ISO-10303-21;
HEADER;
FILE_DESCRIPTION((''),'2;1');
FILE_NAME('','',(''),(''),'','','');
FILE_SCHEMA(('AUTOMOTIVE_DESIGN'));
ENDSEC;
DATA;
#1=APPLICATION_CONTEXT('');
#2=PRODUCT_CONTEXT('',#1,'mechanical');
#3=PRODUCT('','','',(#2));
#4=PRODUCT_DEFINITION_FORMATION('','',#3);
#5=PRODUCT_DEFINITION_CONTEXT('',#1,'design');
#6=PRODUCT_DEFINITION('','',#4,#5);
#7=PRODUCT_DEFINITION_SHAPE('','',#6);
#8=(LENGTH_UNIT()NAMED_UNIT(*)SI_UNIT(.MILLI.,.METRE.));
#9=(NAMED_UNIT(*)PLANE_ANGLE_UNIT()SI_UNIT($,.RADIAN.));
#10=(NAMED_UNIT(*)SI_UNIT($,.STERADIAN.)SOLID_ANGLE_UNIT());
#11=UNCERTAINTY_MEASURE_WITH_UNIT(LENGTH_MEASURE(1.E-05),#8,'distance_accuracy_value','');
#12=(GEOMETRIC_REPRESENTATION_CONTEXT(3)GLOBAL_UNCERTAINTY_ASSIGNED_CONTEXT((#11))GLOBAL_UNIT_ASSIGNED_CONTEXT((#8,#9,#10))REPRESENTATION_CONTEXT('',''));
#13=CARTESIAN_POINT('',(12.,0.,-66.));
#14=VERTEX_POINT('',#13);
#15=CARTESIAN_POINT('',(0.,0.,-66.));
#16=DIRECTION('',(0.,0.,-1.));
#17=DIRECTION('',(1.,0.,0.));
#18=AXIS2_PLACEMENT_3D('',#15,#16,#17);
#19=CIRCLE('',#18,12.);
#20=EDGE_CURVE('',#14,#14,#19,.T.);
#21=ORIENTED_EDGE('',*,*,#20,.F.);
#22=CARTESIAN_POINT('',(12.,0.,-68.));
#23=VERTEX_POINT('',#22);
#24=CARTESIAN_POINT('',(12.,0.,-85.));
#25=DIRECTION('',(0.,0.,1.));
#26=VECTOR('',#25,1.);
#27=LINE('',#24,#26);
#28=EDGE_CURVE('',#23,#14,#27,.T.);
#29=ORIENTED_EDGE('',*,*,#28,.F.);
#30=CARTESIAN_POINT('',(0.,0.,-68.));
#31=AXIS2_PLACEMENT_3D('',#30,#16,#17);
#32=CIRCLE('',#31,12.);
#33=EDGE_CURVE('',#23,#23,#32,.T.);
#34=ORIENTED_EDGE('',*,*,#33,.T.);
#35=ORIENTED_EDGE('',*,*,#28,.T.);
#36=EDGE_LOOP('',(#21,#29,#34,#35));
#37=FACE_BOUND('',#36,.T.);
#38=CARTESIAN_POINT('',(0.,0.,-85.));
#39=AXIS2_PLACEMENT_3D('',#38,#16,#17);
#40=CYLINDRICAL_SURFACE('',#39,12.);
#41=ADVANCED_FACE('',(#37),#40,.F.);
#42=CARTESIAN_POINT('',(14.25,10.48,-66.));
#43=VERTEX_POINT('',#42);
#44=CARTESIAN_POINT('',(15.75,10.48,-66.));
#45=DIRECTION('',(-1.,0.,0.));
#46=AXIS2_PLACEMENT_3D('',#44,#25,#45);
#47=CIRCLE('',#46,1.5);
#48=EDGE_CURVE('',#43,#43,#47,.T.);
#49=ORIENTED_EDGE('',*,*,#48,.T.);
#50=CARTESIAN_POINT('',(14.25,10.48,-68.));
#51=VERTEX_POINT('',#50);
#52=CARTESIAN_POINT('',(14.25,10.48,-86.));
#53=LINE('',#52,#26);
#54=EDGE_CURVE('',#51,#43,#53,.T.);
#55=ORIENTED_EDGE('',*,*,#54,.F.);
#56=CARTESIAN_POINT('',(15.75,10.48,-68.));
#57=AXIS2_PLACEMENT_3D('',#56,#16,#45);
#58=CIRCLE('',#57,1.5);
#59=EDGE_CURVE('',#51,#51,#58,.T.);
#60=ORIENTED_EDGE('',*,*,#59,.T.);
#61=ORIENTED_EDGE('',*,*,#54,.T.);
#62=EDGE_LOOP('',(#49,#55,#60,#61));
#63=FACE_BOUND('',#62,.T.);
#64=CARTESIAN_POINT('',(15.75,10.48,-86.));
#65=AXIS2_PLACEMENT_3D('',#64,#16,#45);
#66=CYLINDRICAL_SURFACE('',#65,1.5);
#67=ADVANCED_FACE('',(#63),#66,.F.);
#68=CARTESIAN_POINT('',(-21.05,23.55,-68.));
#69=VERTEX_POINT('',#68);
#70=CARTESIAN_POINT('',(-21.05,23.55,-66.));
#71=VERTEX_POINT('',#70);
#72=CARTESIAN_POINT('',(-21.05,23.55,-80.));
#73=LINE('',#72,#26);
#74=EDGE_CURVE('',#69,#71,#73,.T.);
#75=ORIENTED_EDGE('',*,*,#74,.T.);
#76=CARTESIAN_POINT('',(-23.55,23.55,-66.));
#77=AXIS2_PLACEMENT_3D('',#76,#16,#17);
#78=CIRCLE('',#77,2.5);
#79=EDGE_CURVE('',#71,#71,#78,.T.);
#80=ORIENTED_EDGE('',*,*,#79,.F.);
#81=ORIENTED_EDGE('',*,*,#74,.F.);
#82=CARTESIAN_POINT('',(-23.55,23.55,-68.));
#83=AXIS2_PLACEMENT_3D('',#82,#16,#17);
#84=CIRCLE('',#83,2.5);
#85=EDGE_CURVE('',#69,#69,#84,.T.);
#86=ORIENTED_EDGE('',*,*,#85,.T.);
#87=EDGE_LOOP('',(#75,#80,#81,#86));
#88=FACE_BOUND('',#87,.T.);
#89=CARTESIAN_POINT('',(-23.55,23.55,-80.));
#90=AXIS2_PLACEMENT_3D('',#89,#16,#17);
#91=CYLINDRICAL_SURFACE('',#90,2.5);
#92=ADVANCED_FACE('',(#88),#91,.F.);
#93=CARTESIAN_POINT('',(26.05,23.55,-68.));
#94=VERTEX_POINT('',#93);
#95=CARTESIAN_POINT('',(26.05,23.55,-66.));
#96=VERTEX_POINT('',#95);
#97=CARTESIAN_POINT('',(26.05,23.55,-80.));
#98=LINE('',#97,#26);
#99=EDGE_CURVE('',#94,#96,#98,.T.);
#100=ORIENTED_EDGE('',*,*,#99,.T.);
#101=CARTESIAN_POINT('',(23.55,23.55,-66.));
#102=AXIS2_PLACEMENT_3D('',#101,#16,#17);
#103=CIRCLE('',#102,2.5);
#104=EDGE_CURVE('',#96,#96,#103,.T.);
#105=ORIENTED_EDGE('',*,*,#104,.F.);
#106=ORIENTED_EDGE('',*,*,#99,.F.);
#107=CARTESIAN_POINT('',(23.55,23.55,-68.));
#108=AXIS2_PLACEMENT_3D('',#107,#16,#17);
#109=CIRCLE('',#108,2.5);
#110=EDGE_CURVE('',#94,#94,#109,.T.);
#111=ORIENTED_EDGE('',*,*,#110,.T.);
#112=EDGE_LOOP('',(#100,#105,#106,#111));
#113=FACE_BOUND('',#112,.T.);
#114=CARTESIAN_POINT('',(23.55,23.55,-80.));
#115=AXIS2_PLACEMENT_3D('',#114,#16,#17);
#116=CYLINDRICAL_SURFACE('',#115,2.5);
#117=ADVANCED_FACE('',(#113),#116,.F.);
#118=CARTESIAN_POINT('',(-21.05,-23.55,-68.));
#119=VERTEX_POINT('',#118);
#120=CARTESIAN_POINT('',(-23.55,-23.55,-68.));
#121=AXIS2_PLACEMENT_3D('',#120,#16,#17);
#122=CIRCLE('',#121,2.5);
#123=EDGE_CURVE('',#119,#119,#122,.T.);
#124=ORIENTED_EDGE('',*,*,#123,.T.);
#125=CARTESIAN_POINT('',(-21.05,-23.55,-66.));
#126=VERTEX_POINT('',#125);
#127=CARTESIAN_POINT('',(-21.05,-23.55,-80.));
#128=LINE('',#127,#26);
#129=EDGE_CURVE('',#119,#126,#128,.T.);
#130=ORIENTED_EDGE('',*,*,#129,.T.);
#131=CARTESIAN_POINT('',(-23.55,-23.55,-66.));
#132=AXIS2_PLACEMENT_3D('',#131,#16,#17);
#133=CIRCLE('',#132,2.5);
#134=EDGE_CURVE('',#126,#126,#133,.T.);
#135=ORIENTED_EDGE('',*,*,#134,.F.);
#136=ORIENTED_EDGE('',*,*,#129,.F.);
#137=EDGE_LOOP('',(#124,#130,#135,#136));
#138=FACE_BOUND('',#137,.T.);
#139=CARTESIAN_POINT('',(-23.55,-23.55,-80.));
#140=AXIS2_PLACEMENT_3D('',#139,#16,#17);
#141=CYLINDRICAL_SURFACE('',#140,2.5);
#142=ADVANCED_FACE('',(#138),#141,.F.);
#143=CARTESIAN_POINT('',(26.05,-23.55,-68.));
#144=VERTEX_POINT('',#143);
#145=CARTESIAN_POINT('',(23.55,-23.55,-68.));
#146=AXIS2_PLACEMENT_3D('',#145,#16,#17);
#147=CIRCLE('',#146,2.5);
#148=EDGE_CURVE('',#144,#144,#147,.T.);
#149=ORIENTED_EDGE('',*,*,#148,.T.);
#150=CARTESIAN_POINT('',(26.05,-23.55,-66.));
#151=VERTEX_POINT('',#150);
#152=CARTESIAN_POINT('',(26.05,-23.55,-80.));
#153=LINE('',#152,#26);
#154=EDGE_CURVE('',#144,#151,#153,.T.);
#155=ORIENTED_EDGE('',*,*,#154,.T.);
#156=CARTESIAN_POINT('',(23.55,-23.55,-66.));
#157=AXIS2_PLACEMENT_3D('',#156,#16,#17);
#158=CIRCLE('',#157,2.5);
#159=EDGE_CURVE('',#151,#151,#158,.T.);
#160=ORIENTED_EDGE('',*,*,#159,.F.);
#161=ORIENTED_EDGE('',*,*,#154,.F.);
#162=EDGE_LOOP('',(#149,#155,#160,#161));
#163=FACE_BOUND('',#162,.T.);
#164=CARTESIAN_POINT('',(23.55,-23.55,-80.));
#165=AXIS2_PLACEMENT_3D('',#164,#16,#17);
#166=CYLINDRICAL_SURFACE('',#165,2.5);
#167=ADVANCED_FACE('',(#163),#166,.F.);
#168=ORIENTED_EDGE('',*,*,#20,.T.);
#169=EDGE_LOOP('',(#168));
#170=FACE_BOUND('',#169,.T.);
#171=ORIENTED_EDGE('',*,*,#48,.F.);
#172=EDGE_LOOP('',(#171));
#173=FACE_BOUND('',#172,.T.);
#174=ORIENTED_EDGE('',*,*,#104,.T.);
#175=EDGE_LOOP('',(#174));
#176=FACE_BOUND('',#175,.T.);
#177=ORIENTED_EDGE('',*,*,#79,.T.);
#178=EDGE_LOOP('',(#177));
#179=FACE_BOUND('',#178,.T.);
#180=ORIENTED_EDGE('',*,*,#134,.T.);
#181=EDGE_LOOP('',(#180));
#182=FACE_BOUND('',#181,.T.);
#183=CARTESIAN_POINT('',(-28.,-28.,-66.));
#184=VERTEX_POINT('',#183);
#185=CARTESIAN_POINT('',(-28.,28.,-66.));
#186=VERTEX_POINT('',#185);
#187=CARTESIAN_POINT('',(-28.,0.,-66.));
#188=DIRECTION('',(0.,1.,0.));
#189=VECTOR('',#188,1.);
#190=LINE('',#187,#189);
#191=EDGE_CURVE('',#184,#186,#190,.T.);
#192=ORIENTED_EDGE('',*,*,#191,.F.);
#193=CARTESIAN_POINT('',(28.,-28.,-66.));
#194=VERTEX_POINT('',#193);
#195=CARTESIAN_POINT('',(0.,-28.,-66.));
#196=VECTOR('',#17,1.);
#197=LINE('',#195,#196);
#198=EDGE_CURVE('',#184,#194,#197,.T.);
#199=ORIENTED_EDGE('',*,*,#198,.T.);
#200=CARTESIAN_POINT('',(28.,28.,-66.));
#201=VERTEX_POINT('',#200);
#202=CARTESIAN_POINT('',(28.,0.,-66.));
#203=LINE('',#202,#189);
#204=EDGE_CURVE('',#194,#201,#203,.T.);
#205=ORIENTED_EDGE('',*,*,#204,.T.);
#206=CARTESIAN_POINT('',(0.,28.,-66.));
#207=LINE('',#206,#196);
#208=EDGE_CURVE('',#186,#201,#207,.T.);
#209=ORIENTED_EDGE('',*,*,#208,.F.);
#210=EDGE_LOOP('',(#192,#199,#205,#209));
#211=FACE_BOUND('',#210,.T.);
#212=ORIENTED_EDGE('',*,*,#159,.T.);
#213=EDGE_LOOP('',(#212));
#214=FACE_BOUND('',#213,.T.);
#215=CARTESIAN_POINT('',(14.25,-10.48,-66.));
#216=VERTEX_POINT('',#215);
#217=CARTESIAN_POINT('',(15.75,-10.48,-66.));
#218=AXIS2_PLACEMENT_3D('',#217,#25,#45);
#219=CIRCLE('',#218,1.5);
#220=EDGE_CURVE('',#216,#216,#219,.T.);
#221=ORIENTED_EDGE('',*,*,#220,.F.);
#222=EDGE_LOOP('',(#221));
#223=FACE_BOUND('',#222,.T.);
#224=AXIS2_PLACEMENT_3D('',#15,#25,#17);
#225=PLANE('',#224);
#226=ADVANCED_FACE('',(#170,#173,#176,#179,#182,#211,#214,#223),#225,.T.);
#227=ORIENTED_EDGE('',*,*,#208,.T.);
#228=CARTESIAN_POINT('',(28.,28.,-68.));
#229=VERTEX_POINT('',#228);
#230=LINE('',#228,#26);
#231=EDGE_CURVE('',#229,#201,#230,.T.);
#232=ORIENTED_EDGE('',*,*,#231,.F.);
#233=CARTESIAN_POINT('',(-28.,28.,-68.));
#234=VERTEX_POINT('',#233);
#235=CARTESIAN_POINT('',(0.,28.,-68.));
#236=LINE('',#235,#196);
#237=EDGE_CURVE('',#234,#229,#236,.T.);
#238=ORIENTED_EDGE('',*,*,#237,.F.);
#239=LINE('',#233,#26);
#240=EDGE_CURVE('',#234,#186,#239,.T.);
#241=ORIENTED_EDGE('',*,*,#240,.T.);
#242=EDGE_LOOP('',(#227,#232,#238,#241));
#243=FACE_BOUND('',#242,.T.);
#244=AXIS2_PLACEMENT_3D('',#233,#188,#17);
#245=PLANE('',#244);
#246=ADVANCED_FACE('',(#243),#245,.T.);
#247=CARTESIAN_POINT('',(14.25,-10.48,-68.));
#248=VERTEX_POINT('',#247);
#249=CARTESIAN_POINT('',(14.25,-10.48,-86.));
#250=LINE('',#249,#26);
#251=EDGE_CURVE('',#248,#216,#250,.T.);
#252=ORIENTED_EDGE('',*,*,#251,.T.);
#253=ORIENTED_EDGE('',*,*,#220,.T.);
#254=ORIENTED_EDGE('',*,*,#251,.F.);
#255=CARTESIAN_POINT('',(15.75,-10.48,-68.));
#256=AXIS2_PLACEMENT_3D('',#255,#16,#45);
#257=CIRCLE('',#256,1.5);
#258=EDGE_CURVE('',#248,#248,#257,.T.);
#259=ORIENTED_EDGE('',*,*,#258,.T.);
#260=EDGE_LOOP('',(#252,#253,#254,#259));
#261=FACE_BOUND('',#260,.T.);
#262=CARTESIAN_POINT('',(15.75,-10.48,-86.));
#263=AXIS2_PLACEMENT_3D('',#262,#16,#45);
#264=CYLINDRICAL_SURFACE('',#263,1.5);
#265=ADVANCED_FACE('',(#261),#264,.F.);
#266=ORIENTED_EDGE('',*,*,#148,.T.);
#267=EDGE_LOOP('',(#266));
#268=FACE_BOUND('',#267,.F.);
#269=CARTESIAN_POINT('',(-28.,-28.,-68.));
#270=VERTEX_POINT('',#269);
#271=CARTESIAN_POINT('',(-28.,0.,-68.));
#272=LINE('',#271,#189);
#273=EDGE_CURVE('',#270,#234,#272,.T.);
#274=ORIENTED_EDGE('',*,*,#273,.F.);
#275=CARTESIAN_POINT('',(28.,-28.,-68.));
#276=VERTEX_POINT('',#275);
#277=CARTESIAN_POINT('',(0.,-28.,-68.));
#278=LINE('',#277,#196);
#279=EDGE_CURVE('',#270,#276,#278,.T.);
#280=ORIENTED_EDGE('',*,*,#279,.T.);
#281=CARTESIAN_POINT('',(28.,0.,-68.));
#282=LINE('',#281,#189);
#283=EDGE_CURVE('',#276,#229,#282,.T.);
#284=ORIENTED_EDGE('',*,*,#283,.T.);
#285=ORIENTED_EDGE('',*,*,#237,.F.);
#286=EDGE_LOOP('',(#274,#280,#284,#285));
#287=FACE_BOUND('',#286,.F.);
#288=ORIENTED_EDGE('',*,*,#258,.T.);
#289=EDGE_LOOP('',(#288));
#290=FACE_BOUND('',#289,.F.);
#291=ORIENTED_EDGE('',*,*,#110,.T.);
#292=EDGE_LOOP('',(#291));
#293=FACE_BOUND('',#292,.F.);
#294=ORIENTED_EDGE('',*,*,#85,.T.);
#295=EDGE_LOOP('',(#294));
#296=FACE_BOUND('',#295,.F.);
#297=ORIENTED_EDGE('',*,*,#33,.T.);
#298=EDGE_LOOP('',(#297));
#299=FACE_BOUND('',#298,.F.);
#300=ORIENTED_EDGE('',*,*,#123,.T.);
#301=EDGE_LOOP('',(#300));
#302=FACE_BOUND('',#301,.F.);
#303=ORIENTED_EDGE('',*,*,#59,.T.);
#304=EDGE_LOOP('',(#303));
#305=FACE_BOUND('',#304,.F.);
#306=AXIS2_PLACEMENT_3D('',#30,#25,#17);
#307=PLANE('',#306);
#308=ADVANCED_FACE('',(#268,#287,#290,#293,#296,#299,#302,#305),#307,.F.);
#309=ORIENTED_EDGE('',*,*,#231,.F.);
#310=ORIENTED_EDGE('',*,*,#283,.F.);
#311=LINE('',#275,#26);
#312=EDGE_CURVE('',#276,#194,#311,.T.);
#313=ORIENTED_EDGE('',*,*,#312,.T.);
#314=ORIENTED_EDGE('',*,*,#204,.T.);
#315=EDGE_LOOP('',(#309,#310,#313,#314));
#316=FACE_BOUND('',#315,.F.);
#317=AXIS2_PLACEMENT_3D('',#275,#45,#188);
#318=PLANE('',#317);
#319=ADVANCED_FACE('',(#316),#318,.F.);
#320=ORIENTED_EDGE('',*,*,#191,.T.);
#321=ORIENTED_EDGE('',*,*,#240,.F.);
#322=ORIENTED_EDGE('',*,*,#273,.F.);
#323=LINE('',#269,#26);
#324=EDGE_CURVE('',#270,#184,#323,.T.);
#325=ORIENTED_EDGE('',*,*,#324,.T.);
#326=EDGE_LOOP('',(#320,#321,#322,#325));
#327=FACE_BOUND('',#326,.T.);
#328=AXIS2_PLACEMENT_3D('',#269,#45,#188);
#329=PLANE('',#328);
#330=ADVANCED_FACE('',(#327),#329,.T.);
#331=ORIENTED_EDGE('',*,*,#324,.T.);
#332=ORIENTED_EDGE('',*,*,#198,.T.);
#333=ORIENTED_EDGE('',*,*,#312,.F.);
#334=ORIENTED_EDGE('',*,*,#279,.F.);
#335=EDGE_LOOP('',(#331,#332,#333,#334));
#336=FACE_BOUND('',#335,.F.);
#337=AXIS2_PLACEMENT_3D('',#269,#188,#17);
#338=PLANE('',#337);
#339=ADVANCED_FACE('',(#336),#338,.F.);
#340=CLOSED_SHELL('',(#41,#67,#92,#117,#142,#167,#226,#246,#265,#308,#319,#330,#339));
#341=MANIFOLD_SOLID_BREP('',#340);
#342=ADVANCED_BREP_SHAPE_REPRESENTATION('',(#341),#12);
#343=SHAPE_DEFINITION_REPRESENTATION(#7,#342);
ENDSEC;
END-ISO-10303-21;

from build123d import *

# Parameters (mm, degrees)
BOX274_W                    = 56
BOX274_H                    = 56
BOX274_DEPTH                = 2
CYLINDER704_R               = 1.5
CYLINDER704_DEPTH           = 20
CYLINDER705_R               = 1.5
CYLINDER705_DEPTH           = 20
COMPOUND417_PLACEMENT_ANGLE = 90
BOX272_W                    = 20
BOX272_H                    = 8
BOX272_DEPTH                = 3
BOX271_W                    = 20
BOX271_H                    = 8
BOX271_DEPTH                = 3
BOX273_W                    = 20
BOX273_H                    = 8
BOX273_DEPTH                = 3
BOX269_W                    = 20
BOX269_H                    = 8
BOX269_DEPTH                = 3
CYLINDER697_R               = 12
CYLINDER697_DEPTH           = 20
CYLINDER702_R               = 5
CYLINDER702_DEPTH           = 4
CYLINDER689_R               = 5
CYLINDER689_DEPTH           = 4
CYLINDER693_R               = 5
CYLINDER693_DEPTH           = 4
CYLINDER698_R               = 5
CYLINDER698_DEPTH           = 4
CYLINDER699_R               = 2.5
CYLINDER699_DEPTH           = 20
CYLINDER690_R               = 2.5
CYLINDER690_DEPTH           = 20
CYLINDER694_R               = 2.5
CYLINDER694_DEPTH           = 20
CYLINDER700_R               = 2.5
CYLINDER700_DEPTH           = 20
CYLINDER696_R               = 3
CYLINDER696_DEPTH           = 5
CYLINDER696_PLACEMENT_ANGLE = 22.5
CYLINDER688_R               = 3
CYLINDER688_DEPTH           = 5
CYLINDER688_PLACEMENT_ANGLE = 67.5
CYLINDER691_R               = 3
CYLINDER691_DEPTH           = 5
CYLINDER691_PLACEMENT_ANGLE = 202.5
CYLINDER692_R               = 3
CYLINDER692_DEPTH           = 5
CYLINDER692_PLACEMENT_ANGLE = 112.5
COMPOUND416_PLACEMENT_ANGLE = 45
CYLINDER703_R               = 1.5
CYLINDER703_DEPTH           = 30
CYLINDER703_PLACEMENT_ANGLE = 22.5
CYLINDER695_R               = 1.5
CYLINDER695_DEPTH           = 30
CYLINDER695_PLACEMENT_ANGLE = 67.5
CYLINDER706_R               = 1.5
CYLINDER706_DEPTH           = 30
CYLINDER706_PLACEMENT_ANGLE = 202.5
CYLINDER701_R               = 1.5
CYLINDER701_DEPTH           = 30
CYLINDER701_PLACEMENT_ANGLE = 112.5
COMPOUND412_PLACEMENT_ANGLE = 45
BOX270_W                    = 68
BOX270_H                    = 64
BOX270_DEPTH                = 8


with BuildPart() as krychle274:
    # Box274 → Box274 (new body)
    with BuildSketch(Plane(origin=(-28, -28, -68), x_dir=(1, 0, 0), z_dir=(0, 0, 1))):
        with Locations((28, 28)):
            Rectangle(BOX274_W, BOX274_H)
    extrude(amount=BOX274_DEPTH)


with BuildPart() as v_lec704:
    # Cylinder704 → Cylinder704 (new body)
    with BuildSketch(Plane(origin=(15.75, 114, 59.48), x_dir=(-1, 0, 0), z_dir=(0, 1, 0))):
        Circle(CYLINDER704_R)
    extrude(amount=CYLINDER704_DEPTH)


with BuildPart() as compound417:
    # Cylinder705 → Cylinder705 (new body)
    with BuildSketch(Plane(origin=(15.75, 114, 38.52), x_dir=(-1, 0, 0), z_dir=(0, 1, 0))):
        Circle(CYLINDER705_R)
    extrude(amount=CYLINDER705_DEPTH)

    # Compound417: union Válec704
    add(v_lec704.part)


with BuildPart() as compound417_1:
    # Compound417 placement: moved
    add(compound417.part.moved(Location((0, 49, -200))).rotate(Axis((0, 49, -200), (1, 0, 0)), COMPOUND417_PLACEMENT_ANGLE))


with BuildPart() as krychle272:
    # Box272 → Box272 (new body)
    with BuildSketch(Plane(origin=(17.55, -27.55, 31), x_dir=(1, 0, 0), z_dir=(0, 0, 1))):
        with Locations((10, 4)):
            Rectangle(BOX272_W, BOX272_H)
    extrude(amount=BOX272_DEPTH)


with BuildPart() as krychle271:
    # Box271 → Box271 (new body)
    with BuildSketch(Plane(origin=(-37.45, 19.55, 31), x_dir=(1, 0, 0), z_dir=(0, 0, 1))):
        with Locations((10, 4)):
            Rectangle(BOX271_W, BOX271_H)
    extrude(amount=BOX271_DEPTH)


with BuildPart() as krychle273:
    # Box273 → Box273 (new body)
    with BuildSketch(Plane(origin=(-37.45, -27.55, 31), x_dir=(1, 0, 0), z_dir=(0, 0, 1))):
        with Locations((10, 4)):
            Rectangle(BOX273_W, BOX273_H)
    extrude(amount=BOX273_DEPTH)


with BuildPart() as compound413:
    # Box269 → Box269 (new body)
    with BuildSketch(Plane(origin=(17.55, 19.55, 31), x_dir=(1, 0, 0), z_dir=(0, 0, 1))):
        with Locations((10, 4)):
            Rectangle(BOX269_W, BOX269_H)
    extrude(amount=BOX269_DEPTH)

    # Compound413: union Krychle272, Krychle271, Krychle273
    add(krychle272.part)
    add(krychle271.part)
    add(krychle273.part)


with BuildPart() as compound413_1:
    # Compound413 placement: moved
    add(compound413.part.moved(Location((0, 0, -4))))


with BuildPart() as v_lec697:
    # Cylinder697 → Cylinder697 (new body)
    with BuildSketch(Plane.XY.offset(15)):
        Circle(CYLINDER697_R)
    extrude(amount=CYLINDER697_DEPTH)


with BuildPart() as v_lec702:
    # Cylinder702 → Cylinder702 (new body)
    with BuildSketch(Plane(origin=(23.55, 23.55, 26), x_dir=(1, 0, 0), z_dir=(0, 0, 1))):
        Circle(CYLINDER702_R)
    extrude(amount=CYLINDER702_DEPTH)


with BuildPart() as v_lec689:
    # Cylinder689 → Cylinder689 (new body)
    with BuildSketch(Plane(origin=(23.55, -23.55, 26), x_dir=(1, 0, 0), z_dir=(0, 0, 1))):
        Circle(CYLINDER689_R)
    extrude(amount=CYLINDER689_DEPTH)


with BuildPart() as v_lec693:
    # Cylinder693 → Cylinder693 (new body)
    with BuildSketch(Plane(origin=(-23.55, 23.55, 26), x_dir=(1, 0, 0), z_dir=(0, 0, 1))):
        Circle(CYLINDER693_R)
    extrude(amount=CYLINDER693_DEPTH)


with BuildPart() as compound415:
    # Cylinder698 → Cylinder698 (new body)
    with BuildSketch(Plane(origin=(-23.55, -23.55, 26), x_dir=(1, 0, 0), z_dir=(0, 0, 1))):
        Circle(CYLINDER698_R)
    extrude(amount=CYLINDER698_DEPTH)

    # Compound415: union Válec702, Válec689, Válec693
    add(v_lec702.part)
    add(v_lec689.part)
    add(v_lec693.part)


with BuildPart() as compound415_1:
    # Compound415 placement: moved
    add(compound415.part.moved(Location((0, 0, -50))))


with BuildPart() as v_lec699:
    # Cylinder699 → Cylinder699 (new body)
    with BuildSketch(Plane(origin=(-23.55, 23.55, 20), x_dir=(1, 0, 0), z_dir=(0, 0, 1))):
        Circle(CYLINDER699_R)
    extrude(amount=CYLINDER699_DEPTH)


with BuildPart() as v_lec690:
    # Cylinder690 → Cylinder690 (new body)
    with BuildSketch(Plane(origin=(-23.55, -23.55, 20), x_dir=(1, 0, 0), z_dir=(0, 0, 1))):
        Circle(CYLINDER690_R)
    extrude(amount=CYLINDER690_DEPTH)


with BuildPart() as v_lec694:
    # Cylinder694 → Cylinder694 (new body)
    with BuildSketch(Plane(origin=(23.55, -23.55, 20), x_dir=(1, 0, 0), z_dir=(0, 0, 1))):
        Circle(CYLINDER694_R)
    extrude(amount=CYLINDER694_DEPTH)


with BuildPart() as compound414:
    # Cylinder700 → Cylinder700 (new body)
    with BuildSketch(Plane(origin=(23.55, 23.55, 20), x_dir=(1, 0, 0), z_dir=(0, 0, 1))):
        Circle(CYLINDER700_R)
    extrude(amount=CYLINDER700_DEPTH)

    # Compound414: union Válec699, Válec690, Válec694
    add(v_lec699.part)
    add(v_lec690.part)
    add(v_lec694.part)


with BuildPart() as v_lec696:
    # Cylinder696 → Cylinder696 (new body)
    with BuildSketch(Plane.XY):
        Circle(CYLINDER696_R)
    extrude(amount=CYLINDER696_DEPTH)


with BuildPart() as v_lec696_1:
    # Cylinder696 placement: moved
    add(v_lec696.part.moved(Location((-16, 0, 2))).rotate(Axis((-16, 0, 2), (0, 0, 1)), CYLINDER696_PLACEMENT_ANGLE))


with BuildPart() as v_lec688:
    # Cylinder688 → Cylinder688 (new body)
    with BuildSketch(Plane.XY):
        Circle(CYLINDER688_R)
    extrude(amount=CYLINDER688_DEPTH)


with BuildPart() as v_lec688_1:
    # Cylinder688 placement: moved
    add(v_lec688.part.moved(Location((0, 16, 2))).rotate(Axis((0, 16, 2), (0, 0, -1)), CYLINDER688_PLACEMENT_ANGLE))


with BuildPart() as v_lec691:
    # Cylinder691 → Cylinder691 (new body)
    with BuildSketch(Plane.XY):
        Circle(CYLINDER691_R)
    extrude(amount=CYLINDER691_DEPTH)


with BuildPart() as v_lec691_1:
    # Cylinder691 placement: moved
    add(v_lec691.part.moved(Location((16, 0, 2))).rotate(Axis((16, 0, 2), (0, 0, 1)), CYLINDER691_PLACEMENT_ANGLE))


with BuildPart() as compound416:
    # Cylinder692 → Cylinder692 (new body)
    with BuildSketch(Plane.XY):
        Circle(CYLINDER692_R)
    extrude(amount=CYLINDER692_DEPTH)


with BuildPart() as compound416_1:
    # Cylinder692 placement: moved
    add(compound416.part.moved(Location((0, -16, 2))).rotate(Axis((0, -16, 2), (0, 0, 1)), CYLINDER692_PLACEMENT_ANGLE))

    # Compound416: union Válec696, Válec688, Válec691
    add(v_lec696_1.part)
    add(v_lec688_1.part)
    add(v_lec691_1.part)


with BuildPart() as compound416_2:
    # Compound416 placement: moved
    add(compound416_1.part.moved(Location((0, 0, 18))).rotate(Axis((0, 0, 18), (0, 0, 1)), COMPOUND416_PLACEMENT_ANGLE))


with BuildPart() as v_lec703:
    # Cylinder703 → Cylinder703 (new body)
    with BuildSketch(Plane.XY):
        Circle(CYLINDER703_R)
    extrude(amount=CYLINDER703_DEPTH)


with BuildPart() as v_lec703_1:
    # Cylinder703 placement: moved
    add(v_lec703.part.moved(Location((-16, 0, 2))).rotate(Axis((-16, 0, 2), (0, 0, 1)), CYLINDER703_PLACEMENT_ANGLE))


with BuildPart() as v_lec695:
    # Cylinder695 → Cylinder695 (new body)
    with BuildSketch(Plane.XY):
        Circle(CYLINDER695_R)
    extrude(amount=CYLINDER695_DEPTH)


with BuildPart() as v_lec695_1:
    # Cylinder695 placement: moved
    add(v_lec695.part.moved(Location((0, 16, 2))).rotate(Axis((0, 16, 2), (0, 0, -1)), CYLINDER695_PLACEMENT_ANGLE))


with BuildPart() as v_lec706:
    # Cylinder706 → Cylinder706 (new body)
    with BuildSketch(Plane.XY):
        Circle(CYLINDER706_R)
    extrude(amount=CYLINDER706_DEPTH)


with BuildPart() as v_lec706_1:
    # Cylinder706 placement: moved
    add(v_lec706.part.moved(Location((16, 0, 2))).rotate(Axis((16, 0, 2), (0, 0, 1)), CYLINDER706_PLACEMENT_ANGLE))


with BuildPart() as compound412:
    # Cylinder701 → Cylinder701 (new body)
    with BuildSketch(Plane.XY):
        Circle(CYLINDER701_R)
    extrude(amount=CYLINDER701_DEPTH)


with BuildPart() as compound412_1:
    # Cylinder701 placement: moved
    add(compound412.part.moved(Location((0, -16, 2))).rotate(Axis((0, -16, 2), (0, 0, 1)), CYLINDER701_PLACEMENT_ANGLE))

    # Compound412: union Válec703, Válec695, Válec706
    add(v_lec703_1.part)
    add(v_lec695_1.part)
    add(v_lec706_1.part)


with BuildPart() as compound412_2:
    # Compound412 placement: moved
    add(compound412_1.part.moved(Location((0, 0, 50))).rotate(Axis((0, 0, 50), (0, 0, 1)), COMPOUND412_PLACEMENT_ANGLE))


with BuildPart() as common002:
    # Box270 → Box270 (new body)
    with BuildSketch(Plane(origin=(-34, -32, 26), x_dir=(1, 0, 0), z_dir=(0, 0, 1))):
        with Locations((34, 32)):
            Rectangle(BOX270_W, BOX270_H)
    extrude(amount=BOX270_DEPTH)

    # Cut275: cut Compound412
    add(compound412_2.part, mode=Mode.SUBTRACT)

    # Cut274: cut Compound416
    add(compound416_2.part, mode=Mode.SUBTRACT)

    # Cut273: cut Compound414
    add(compound414.part, mode=Mode.SUBTRACT)

    # Cut278: cut Compound415
    add(compound415_1.part, mode=Mode.SUBTRACT)

    # Cut277: cut Válec697
    add(v_lec697.part, mode=Mode.SUBTRACT)

    # Cut276: cut Compound413
    add(compound413_1.part, mode=Mode.SUBTRACT)


with BuildPart() as common002_1:
    # Cut276 placement: moved
    add(common002.part.moved(Location((0, 0, -100))))

    # Cut279: cut Compound417
    add(compound417_1.part, mode=Mode.SUBTRACT)

    # Common002: intersect Krychle274
    add(krychle274.part, mode=Mode.INTERSECT)


solid = common002_1.part
